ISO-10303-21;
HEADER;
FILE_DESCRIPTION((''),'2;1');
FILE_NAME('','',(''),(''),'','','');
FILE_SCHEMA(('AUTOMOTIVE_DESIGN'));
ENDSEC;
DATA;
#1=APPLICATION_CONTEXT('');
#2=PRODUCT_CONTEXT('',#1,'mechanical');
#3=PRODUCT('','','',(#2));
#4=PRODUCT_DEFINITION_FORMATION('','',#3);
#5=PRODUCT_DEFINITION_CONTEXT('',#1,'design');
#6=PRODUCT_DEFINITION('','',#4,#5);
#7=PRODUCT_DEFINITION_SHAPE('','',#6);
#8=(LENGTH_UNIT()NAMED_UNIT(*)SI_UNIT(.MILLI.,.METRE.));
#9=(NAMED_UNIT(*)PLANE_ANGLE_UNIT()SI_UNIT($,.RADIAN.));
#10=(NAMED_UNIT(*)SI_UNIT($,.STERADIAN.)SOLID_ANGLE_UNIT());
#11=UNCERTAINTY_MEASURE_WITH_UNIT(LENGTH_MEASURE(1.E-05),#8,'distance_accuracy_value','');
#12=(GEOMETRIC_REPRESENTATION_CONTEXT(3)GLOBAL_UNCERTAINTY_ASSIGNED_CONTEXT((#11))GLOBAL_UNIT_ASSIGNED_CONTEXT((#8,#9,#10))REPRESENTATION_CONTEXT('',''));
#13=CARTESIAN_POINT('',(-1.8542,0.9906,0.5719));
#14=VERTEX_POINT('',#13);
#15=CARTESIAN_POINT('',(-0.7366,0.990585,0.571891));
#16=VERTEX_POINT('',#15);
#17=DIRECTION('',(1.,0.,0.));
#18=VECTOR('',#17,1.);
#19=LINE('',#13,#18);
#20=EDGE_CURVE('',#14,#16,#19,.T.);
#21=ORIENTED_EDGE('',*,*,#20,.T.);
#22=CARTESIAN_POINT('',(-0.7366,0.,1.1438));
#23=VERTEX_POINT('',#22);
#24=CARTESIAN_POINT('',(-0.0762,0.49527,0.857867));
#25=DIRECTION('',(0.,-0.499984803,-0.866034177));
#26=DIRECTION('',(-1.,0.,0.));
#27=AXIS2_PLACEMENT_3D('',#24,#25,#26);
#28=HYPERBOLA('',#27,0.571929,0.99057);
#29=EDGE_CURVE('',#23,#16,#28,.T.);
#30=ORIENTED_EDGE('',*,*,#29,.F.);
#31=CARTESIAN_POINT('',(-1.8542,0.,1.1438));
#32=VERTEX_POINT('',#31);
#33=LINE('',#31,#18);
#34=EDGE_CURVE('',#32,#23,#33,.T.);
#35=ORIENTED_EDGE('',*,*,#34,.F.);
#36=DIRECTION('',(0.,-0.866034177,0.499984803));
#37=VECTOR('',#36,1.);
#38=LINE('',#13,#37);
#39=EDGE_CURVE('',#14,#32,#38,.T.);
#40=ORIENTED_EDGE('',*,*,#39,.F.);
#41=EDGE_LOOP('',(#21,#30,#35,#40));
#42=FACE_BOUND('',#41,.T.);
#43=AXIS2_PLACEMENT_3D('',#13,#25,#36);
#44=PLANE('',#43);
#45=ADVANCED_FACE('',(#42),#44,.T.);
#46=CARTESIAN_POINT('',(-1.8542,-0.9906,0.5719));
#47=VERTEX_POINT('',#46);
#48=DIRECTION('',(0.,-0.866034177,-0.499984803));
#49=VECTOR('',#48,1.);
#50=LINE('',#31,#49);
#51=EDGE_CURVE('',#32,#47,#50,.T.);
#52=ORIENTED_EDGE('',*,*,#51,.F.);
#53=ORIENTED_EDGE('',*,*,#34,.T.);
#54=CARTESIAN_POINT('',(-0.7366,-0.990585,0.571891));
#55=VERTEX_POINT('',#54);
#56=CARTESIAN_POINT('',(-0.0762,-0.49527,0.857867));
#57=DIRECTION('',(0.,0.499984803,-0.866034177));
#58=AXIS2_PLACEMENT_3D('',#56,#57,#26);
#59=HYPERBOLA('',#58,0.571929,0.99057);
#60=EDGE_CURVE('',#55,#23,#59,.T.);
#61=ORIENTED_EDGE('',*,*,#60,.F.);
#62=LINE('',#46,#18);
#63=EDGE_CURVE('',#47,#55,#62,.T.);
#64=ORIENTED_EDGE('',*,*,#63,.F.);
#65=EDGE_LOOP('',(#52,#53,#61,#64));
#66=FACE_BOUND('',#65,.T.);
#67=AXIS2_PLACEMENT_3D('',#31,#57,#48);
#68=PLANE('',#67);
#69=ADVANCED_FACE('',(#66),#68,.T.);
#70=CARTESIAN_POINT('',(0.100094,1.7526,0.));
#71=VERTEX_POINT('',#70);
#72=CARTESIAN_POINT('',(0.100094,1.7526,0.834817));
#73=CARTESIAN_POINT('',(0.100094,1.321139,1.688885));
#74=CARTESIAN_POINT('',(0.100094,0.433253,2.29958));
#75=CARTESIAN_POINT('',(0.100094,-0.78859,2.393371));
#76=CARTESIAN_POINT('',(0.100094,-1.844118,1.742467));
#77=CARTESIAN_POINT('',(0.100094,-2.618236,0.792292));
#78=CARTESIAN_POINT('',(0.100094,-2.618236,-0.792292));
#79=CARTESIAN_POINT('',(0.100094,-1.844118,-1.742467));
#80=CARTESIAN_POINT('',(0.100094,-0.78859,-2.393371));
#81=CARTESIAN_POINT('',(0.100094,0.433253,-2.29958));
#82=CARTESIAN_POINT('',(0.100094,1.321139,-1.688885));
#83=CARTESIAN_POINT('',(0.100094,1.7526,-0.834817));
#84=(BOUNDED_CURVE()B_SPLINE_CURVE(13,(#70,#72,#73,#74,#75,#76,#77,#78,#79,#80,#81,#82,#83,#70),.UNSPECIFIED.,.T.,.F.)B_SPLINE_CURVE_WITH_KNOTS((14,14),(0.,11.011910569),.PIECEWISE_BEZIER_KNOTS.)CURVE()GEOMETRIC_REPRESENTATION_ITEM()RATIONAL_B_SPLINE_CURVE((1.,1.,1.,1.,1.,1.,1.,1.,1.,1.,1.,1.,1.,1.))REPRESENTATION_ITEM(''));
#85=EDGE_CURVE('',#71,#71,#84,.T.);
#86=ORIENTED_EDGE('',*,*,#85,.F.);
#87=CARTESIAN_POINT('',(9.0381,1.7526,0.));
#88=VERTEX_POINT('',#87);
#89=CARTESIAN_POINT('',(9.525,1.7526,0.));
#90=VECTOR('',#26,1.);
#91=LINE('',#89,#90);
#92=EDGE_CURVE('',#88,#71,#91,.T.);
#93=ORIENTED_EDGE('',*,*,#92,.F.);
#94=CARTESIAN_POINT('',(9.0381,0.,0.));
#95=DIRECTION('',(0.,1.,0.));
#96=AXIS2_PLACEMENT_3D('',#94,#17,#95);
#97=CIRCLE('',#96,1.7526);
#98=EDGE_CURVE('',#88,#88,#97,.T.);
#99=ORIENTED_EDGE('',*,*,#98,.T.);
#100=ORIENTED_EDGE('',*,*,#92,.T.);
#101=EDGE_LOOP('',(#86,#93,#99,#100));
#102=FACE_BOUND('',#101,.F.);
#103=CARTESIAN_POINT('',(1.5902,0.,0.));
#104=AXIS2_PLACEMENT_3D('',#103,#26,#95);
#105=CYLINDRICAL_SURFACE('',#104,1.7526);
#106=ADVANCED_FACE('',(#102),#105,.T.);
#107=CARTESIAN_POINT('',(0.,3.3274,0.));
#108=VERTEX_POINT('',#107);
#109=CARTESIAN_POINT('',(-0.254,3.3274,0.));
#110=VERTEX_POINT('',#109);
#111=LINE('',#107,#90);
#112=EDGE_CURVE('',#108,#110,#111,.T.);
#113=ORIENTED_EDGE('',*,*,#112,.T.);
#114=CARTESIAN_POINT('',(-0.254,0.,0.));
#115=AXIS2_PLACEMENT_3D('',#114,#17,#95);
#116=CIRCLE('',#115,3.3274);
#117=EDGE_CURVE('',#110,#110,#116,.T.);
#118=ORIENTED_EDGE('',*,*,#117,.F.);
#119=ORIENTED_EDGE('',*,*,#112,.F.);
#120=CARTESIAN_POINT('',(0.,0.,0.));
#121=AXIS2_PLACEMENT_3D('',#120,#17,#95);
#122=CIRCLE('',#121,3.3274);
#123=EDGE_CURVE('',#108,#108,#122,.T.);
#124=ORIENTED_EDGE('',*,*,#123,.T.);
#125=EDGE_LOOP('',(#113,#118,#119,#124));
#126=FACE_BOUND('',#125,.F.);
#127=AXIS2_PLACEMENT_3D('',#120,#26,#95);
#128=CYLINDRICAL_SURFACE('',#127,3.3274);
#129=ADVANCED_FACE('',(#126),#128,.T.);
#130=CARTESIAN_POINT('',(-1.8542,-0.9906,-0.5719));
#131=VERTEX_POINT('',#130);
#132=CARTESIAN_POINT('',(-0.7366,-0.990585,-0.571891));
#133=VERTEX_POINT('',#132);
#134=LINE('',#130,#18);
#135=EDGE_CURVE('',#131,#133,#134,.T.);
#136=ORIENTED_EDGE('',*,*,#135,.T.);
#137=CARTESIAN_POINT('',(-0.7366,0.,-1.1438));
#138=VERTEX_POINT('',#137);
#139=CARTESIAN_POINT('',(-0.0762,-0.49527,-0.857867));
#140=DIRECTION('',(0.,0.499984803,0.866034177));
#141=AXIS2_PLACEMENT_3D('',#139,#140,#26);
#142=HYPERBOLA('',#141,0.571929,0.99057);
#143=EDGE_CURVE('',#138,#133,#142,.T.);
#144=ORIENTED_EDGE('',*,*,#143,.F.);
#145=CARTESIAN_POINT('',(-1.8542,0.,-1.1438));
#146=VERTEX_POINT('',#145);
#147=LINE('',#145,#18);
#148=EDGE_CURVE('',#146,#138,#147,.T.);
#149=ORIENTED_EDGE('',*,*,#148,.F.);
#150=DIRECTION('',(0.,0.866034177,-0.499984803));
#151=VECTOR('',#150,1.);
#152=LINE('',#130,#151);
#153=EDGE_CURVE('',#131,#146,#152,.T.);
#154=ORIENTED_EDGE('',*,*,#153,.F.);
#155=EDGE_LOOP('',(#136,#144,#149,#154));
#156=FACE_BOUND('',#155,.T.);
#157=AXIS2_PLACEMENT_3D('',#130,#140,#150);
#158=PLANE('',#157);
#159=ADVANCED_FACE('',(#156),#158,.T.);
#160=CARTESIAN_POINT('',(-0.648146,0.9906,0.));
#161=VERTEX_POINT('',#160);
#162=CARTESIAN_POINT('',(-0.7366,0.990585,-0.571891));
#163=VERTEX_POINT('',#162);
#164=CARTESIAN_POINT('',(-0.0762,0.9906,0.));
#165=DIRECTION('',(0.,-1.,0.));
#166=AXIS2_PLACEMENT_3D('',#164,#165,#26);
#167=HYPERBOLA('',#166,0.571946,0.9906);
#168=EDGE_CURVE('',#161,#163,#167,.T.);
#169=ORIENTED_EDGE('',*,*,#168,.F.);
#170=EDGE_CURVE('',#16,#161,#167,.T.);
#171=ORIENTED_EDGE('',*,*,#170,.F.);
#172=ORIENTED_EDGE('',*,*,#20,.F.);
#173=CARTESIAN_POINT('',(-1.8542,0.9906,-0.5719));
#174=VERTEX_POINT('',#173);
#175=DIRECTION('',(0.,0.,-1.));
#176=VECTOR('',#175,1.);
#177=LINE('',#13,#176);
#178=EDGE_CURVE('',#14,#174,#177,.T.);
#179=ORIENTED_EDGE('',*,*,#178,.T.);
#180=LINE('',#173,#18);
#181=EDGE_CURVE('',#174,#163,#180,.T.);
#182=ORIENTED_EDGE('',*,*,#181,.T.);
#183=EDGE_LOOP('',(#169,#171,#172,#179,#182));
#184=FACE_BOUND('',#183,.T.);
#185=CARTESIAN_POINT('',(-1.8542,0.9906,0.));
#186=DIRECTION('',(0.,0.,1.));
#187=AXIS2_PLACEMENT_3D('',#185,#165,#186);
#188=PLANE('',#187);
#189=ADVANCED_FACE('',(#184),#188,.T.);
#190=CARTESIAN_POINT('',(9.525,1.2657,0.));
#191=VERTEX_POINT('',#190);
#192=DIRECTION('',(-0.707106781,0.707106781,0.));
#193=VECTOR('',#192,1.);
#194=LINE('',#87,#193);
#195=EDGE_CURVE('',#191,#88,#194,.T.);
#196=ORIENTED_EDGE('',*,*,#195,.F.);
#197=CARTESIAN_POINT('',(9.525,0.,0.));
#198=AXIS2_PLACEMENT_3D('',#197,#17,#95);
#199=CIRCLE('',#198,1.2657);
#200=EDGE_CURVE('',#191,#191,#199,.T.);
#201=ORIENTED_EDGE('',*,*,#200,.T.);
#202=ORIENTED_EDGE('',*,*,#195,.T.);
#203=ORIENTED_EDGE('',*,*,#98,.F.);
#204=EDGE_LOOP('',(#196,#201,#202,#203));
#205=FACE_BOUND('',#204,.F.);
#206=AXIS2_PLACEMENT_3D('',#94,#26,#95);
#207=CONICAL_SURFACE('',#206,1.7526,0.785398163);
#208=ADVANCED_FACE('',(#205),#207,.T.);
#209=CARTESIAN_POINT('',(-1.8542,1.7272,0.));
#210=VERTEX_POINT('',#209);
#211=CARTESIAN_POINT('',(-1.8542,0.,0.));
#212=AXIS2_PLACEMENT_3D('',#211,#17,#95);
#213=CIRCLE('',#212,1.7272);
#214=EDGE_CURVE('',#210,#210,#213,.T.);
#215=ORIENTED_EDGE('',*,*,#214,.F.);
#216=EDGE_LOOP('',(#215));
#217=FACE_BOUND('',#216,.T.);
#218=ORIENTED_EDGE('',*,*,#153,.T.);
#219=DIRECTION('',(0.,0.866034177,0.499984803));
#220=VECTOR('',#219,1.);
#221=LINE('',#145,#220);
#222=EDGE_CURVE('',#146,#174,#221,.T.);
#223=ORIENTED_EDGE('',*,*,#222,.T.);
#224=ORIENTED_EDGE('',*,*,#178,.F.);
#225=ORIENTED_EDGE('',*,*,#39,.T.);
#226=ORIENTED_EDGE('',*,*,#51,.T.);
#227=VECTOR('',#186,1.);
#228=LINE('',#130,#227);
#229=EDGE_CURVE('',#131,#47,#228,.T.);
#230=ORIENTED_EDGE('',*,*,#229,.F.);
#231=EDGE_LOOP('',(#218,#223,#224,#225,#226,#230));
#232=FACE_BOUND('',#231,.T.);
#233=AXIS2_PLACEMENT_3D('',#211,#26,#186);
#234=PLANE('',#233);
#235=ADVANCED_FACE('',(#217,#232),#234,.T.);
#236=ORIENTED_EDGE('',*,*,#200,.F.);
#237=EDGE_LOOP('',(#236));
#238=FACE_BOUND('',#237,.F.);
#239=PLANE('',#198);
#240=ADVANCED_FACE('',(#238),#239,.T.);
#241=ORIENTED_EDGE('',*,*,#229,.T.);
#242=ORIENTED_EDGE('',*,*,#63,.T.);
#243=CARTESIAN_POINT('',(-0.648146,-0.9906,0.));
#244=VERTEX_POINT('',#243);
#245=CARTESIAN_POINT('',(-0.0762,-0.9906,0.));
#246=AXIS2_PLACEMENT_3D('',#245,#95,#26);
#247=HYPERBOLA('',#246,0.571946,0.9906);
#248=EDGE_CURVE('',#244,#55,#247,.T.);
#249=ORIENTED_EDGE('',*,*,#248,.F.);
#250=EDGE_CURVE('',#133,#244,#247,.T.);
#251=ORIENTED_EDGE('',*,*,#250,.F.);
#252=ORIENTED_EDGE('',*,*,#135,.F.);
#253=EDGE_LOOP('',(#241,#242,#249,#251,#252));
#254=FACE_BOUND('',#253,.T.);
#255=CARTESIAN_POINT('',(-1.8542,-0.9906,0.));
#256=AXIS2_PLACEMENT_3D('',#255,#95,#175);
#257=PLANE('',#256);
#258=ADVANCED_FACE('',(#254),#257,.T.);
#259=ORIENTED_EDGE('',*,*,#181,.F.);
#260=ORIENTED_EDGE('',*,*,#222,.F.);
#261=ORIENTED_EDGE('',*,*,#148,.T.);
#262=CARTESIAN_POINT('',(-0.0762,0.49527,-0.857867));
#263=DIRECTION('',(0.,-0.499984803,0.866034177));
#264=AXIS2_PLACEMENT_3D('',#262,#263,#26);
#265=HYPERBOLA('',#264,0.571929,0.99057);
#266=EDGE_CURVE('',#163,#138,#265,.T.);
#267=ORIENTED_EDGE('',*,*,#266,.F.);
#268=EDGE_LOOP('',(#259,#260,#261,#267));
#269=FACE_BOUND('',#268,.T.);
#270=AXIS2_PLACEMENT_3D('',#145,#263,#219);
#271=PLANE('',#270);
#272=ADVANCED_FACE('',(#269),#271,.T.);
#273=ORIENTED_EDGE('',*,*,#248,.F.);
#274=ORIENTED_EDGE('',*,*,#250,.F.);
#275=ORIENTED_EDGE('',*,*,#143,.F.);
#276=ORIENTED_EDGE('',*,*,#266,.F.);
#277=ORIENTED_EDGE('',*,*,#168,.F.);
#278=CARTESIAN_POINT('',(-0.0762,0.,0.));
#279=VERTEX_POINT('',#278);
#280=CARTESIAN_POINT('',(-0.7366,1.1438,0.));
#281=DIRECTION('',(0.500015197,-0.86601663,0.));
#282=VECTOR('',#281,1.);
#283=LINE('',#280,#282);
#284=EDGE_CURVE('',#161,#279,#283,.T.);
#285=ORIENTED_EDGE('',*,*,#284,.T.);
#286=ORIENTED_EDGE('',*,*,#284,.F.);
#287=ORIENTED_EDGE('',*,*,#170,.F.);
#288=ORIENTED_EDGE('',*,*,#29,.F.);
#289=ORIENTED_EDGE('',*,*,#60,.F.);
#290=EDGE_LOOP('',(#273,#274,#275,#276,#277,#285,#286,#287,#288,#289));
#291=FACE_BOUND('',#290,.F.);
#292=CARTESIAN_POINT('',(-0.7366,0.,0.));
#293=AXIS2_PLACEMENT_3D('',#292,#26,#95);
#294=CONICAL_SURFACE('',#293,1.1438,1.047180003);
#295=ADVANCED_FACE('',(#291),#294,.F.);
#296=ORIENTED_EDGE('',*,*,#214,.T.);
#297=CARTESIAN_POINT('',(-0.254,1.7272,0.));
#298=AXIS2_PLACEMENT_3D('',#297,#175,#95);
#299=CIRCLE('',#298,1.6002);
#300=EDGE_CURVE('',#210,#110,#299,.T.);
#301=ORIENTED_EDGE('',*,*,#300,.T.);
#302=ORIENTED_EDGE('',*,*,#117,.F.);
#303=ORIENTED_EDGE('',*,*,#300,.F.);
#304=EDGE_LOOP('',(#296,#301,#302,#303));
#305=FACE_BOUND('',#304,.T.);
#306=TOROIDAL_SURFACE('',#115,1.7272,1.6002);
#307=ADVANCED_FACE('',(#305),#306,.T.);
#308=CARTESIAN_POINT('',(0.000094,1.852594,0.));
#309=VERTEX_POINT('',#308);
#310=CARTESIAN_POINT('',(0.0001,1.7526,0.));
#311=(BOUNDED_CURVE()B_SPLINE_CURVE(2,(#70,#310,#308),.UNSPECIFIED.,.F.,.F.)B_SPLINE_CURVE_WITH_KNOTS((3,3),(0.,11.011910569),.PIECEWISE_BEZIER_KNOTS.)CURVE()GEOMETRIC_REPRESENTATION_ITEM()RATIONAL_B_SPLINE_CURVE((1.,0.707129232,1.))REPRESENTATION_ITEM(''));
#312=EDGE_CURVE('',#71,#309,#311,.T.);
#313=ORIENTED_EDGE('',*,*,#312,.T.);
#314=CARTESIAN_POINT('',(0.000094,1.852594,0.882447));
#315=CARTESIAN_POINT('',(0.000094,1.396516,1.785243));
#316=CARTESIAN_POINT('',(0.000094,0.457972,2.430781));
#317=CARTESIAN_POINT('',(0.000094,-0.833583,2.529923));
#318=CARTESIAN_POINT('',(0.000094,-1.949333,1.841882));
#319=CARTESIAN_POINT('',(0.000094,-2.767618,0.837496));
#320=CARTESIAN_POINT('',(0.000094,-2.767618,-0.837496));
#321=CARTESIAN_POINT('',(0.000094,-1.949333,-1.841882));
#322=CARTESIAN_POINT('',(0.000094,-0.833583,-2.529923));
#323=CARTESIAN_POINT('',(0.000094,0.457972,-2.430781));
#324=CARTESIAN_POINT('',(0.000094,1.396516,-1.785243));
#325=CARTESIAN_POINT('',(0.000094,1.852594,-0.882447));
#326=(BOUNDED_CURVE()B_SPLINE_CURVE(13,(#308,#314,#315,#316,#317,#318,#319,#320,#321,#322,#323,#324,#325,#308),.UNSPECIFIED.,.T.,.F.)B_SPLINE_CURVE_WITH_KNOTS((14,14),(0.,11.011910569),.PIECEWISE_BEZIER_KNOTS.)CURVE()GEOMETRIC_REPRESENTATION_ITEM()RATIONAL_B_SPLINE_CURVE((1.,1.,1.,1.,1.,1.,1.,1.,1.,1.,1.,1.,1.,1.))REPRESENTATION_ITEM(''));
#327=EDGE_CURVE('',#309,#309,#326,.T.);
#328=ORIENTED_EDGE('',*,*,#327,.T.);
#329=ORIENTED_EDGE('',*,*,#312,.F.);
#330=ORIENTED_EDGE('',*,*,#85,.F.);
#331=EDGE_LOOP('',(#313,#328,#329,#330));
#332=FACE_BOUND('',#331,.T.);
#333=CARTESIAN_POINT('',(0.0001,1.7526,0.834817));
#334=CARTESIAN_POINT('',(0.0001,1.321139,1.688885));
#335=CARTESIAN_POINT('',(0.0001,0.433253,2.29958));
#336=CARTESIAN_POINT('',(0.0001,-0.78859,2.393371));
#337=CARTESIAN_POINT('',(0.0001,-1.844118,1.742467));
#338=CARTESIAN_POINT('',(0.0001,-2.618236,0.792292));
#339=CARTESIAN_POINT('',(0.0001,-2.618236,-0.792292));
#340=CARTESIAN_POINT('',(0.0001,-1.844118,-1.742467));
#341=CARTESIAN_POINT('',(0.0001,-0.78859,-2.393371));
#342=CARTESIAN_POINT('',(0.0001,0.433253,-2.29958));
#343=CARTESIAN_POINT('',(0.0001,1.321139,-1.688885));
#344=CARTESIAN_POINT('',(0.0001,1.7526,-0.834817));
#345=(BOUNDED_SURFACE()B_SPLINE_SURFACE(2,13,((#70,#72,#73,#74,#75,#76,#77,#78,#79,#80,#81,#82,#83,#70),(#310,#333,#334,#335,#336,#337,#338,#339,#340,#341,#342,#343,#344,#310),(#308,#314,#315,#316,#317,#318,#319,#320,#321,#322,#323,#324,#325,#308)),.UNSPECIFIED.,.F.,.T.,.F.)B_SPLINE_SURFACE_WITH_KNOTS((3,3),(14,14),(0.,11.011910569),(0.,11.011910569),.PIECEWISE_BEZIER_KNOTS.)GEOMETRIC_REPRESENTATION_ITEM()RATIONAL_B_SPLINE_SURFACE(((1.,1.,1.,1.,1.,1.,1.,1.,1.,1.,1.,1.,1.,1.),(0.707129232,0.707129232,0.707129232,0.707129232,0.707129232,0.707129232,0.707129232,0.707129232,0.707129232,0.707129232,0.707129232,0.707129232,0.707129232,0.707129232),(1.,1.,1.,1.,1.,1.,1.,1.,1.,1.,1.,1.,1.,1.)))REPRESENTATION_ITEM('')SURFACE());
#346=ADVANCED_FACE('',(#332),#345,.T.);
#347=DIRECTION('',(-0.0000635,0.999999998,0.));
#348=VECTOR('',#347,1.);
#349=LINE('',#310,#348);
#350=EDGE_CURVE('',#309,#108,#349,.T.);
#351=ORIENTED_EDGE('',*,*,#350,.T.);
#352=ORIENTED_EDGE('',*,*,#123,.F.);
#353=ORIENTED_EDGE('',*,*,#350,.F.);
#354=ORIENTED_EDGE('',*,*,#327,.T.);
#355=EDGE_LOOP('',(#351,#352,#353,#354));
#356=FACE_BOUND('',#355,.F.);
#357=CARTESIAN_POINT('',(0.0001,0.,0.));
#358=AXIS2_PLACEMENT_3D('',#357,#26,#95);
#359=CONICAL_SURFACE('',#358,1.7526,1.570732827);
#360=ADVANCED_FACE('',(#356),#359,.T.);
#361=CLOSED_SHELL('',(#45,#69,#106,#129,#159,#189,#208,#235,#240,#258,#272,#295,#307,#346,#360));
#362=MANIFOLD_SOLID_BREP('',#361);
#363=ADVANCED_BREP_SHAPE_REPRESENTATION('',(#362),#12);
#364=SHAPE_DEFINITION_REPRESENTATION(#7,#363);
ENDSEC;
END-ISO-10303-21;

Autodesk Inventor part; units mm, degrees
ref_plane "YZ Plane" through (0, 0, 0) normal (1, 0, 0) x (0, 1, 0)
ref_plane "XZ Plane" through (0, 0, 0) normal (0, 1, 0) x (-1, 0, 0)
sketch "Sketch1" plane through (0, 0, 0) normal (0, 0, 1) x (1, 0, 0)
  line L0 (-0.0762, 0) -> (9.525, 0)
  line L1 (9.525, 0) -> (9.525, 1.7526)
  line L2 (9.525, 1.7526) -> (1.5902, 1.7526)
  line L3 (1.5902, 1.7526) -> (0.0001, 1.7526)
  line L4 (0.0001, 1.7526) -> (0, 1.7526)
  line L5 (0, 1.7526) -> (0, 3.3274)
  line L6 (0, 3.3274) -> (-1.8542, 3.3274)
  line L7 (-1.8542, 3.3274) -> (-1.8542, 1.1438)
  line L8 (-1.8542, 1.1438) -> (-0.7366, 1.1438)
  line L9 (-0.7366, 1.1438) -> (-0.0762, 0)
  line L10 (-4.13, 0) -> (11.8008, 0) projected
  line L11 (0, -0.6655) -> (0, 3.9929) projected
  line L12 (1.5902, 1.7526) -> (0, 1.7526) construction
  dimension "d1" = 7.9348
  dimension "d2" = 1.5901
  dimension "d3" = 1.8542
  dimension "d4" = 1.1176
  dimension "d5" = 60
  dimension "d6" = 3.5052
  dimension "d7" = 3.5052
  dimension "d8" = 2.2877
  dimension "d9" = 6.6548
  dimension "d26" = 9.525
revolve "Body" add sketch "Sketch1" angle 360 about axis through (-0.0762, 0, 0) along (1, 0, 0)
sketch "Sketch2" plane through (-1.8542, 0, 0) normal (-1, 0, 0) x (0, 0, 1)
  circle A0 centre (0, 0) radius 1.1438 projected
  line L0 (0, -4.6584) -> (0, 4.6584) projected
  line L1 (-4.6584, 0) -> (4.6584, 0) projected
  line L2 (1.1438, 0) -> (0.5719, -0.9906)
  line L3 (0.5719, -0.9906) -> (-0.5719, -0.9906)
  line L4 (-0.5719, -0.9906) -> (-1.1438, 0)
  line L5 (-1.1438, 0) -> (-0.5719, 0.9906)
  line L6 (-0.5719, 0.9906) -> (0.5719, 0.9906)
  line L7 (0.5719, 0.9906) -> (1.1438, 0)
extrude "Slot" add sketch "Sketch2" against normal up to next contours L7 A0 | A0 L2 | L6 L0 A0 | A0 L0 L3 | L0 L6 A0 | A0 L3 L0 | L4 A0 | A0 L5
fillet "Fillet1" radius 1.6002 1 edges at (-1.8542, -3.3274, 0)
thread "Thread" size "6-32 UNC" class "2A" standard "ANSI Unified Screw Threads" length 7.9348
chamfer "Chamfer1" distance 0.4869 distance2 0.4869 1 edges at (9.525, -1.7526, 0) measured on face at (9.525, 0.5173, 0.2715)
ref_plane "Work Plane1" through (29, 0, 0) normal (0, -1, 0) x (1, 0, 0)
fillet "Fillet2" radius 0.1 1 edges at (0.0001, -1.7526, 0)
equation "\"d1\" = GEL"
equation "\"d3\" = KOH"
equation "\"d4\" = INTI"
equation "\"d6\" = GD"
equation "\"d7\" = BDM"
equation "\"d8\" = 1.1547 * SW"
equation "\"d9\" = KOD"
equation "\"d26\" = NLG"
equation "\"d30\" = R"
equation "\"d17\" = RR"
equation "\"d13\" = GEL"
equation "\"d15\" = -0.5 * SPD + 0.5 * GD"
equation "\"d16\" = GUL"
equation "\"GD\" = NND"
equation "\"NLG\" = 9.525"
equation "\"GEL\" = 7.93476"
equation "\"KOD\" = 6.6548"
equation "\"KOH\" = 1.8542"
equation "\"INTI\" = 1.1176"
equation "\"GAL\" = 1.59004"
equation "\"GUL\" = 0.48692"
equation "\"BDM\" = NND"
equation "\"SW\" = 1.9812"
equation "\"RR\" = 1.6002"
equation "\"SPD\" = 2.53136"
equation "\"R\" = 0.1"
equation "\"TOA\" = 30deg"
equation "\"GD1\" = SPD"
equation "\"THREADDIA\" = 3.5052"
equation "\"KOH1\" = 0.381"
equation "\"NND\" = 3.5052"
equation "\"E0\" = 2.28829"
properties part number "ANSI B18.3 - 6 - 32 x 3/8" material "Steel, Mild"
